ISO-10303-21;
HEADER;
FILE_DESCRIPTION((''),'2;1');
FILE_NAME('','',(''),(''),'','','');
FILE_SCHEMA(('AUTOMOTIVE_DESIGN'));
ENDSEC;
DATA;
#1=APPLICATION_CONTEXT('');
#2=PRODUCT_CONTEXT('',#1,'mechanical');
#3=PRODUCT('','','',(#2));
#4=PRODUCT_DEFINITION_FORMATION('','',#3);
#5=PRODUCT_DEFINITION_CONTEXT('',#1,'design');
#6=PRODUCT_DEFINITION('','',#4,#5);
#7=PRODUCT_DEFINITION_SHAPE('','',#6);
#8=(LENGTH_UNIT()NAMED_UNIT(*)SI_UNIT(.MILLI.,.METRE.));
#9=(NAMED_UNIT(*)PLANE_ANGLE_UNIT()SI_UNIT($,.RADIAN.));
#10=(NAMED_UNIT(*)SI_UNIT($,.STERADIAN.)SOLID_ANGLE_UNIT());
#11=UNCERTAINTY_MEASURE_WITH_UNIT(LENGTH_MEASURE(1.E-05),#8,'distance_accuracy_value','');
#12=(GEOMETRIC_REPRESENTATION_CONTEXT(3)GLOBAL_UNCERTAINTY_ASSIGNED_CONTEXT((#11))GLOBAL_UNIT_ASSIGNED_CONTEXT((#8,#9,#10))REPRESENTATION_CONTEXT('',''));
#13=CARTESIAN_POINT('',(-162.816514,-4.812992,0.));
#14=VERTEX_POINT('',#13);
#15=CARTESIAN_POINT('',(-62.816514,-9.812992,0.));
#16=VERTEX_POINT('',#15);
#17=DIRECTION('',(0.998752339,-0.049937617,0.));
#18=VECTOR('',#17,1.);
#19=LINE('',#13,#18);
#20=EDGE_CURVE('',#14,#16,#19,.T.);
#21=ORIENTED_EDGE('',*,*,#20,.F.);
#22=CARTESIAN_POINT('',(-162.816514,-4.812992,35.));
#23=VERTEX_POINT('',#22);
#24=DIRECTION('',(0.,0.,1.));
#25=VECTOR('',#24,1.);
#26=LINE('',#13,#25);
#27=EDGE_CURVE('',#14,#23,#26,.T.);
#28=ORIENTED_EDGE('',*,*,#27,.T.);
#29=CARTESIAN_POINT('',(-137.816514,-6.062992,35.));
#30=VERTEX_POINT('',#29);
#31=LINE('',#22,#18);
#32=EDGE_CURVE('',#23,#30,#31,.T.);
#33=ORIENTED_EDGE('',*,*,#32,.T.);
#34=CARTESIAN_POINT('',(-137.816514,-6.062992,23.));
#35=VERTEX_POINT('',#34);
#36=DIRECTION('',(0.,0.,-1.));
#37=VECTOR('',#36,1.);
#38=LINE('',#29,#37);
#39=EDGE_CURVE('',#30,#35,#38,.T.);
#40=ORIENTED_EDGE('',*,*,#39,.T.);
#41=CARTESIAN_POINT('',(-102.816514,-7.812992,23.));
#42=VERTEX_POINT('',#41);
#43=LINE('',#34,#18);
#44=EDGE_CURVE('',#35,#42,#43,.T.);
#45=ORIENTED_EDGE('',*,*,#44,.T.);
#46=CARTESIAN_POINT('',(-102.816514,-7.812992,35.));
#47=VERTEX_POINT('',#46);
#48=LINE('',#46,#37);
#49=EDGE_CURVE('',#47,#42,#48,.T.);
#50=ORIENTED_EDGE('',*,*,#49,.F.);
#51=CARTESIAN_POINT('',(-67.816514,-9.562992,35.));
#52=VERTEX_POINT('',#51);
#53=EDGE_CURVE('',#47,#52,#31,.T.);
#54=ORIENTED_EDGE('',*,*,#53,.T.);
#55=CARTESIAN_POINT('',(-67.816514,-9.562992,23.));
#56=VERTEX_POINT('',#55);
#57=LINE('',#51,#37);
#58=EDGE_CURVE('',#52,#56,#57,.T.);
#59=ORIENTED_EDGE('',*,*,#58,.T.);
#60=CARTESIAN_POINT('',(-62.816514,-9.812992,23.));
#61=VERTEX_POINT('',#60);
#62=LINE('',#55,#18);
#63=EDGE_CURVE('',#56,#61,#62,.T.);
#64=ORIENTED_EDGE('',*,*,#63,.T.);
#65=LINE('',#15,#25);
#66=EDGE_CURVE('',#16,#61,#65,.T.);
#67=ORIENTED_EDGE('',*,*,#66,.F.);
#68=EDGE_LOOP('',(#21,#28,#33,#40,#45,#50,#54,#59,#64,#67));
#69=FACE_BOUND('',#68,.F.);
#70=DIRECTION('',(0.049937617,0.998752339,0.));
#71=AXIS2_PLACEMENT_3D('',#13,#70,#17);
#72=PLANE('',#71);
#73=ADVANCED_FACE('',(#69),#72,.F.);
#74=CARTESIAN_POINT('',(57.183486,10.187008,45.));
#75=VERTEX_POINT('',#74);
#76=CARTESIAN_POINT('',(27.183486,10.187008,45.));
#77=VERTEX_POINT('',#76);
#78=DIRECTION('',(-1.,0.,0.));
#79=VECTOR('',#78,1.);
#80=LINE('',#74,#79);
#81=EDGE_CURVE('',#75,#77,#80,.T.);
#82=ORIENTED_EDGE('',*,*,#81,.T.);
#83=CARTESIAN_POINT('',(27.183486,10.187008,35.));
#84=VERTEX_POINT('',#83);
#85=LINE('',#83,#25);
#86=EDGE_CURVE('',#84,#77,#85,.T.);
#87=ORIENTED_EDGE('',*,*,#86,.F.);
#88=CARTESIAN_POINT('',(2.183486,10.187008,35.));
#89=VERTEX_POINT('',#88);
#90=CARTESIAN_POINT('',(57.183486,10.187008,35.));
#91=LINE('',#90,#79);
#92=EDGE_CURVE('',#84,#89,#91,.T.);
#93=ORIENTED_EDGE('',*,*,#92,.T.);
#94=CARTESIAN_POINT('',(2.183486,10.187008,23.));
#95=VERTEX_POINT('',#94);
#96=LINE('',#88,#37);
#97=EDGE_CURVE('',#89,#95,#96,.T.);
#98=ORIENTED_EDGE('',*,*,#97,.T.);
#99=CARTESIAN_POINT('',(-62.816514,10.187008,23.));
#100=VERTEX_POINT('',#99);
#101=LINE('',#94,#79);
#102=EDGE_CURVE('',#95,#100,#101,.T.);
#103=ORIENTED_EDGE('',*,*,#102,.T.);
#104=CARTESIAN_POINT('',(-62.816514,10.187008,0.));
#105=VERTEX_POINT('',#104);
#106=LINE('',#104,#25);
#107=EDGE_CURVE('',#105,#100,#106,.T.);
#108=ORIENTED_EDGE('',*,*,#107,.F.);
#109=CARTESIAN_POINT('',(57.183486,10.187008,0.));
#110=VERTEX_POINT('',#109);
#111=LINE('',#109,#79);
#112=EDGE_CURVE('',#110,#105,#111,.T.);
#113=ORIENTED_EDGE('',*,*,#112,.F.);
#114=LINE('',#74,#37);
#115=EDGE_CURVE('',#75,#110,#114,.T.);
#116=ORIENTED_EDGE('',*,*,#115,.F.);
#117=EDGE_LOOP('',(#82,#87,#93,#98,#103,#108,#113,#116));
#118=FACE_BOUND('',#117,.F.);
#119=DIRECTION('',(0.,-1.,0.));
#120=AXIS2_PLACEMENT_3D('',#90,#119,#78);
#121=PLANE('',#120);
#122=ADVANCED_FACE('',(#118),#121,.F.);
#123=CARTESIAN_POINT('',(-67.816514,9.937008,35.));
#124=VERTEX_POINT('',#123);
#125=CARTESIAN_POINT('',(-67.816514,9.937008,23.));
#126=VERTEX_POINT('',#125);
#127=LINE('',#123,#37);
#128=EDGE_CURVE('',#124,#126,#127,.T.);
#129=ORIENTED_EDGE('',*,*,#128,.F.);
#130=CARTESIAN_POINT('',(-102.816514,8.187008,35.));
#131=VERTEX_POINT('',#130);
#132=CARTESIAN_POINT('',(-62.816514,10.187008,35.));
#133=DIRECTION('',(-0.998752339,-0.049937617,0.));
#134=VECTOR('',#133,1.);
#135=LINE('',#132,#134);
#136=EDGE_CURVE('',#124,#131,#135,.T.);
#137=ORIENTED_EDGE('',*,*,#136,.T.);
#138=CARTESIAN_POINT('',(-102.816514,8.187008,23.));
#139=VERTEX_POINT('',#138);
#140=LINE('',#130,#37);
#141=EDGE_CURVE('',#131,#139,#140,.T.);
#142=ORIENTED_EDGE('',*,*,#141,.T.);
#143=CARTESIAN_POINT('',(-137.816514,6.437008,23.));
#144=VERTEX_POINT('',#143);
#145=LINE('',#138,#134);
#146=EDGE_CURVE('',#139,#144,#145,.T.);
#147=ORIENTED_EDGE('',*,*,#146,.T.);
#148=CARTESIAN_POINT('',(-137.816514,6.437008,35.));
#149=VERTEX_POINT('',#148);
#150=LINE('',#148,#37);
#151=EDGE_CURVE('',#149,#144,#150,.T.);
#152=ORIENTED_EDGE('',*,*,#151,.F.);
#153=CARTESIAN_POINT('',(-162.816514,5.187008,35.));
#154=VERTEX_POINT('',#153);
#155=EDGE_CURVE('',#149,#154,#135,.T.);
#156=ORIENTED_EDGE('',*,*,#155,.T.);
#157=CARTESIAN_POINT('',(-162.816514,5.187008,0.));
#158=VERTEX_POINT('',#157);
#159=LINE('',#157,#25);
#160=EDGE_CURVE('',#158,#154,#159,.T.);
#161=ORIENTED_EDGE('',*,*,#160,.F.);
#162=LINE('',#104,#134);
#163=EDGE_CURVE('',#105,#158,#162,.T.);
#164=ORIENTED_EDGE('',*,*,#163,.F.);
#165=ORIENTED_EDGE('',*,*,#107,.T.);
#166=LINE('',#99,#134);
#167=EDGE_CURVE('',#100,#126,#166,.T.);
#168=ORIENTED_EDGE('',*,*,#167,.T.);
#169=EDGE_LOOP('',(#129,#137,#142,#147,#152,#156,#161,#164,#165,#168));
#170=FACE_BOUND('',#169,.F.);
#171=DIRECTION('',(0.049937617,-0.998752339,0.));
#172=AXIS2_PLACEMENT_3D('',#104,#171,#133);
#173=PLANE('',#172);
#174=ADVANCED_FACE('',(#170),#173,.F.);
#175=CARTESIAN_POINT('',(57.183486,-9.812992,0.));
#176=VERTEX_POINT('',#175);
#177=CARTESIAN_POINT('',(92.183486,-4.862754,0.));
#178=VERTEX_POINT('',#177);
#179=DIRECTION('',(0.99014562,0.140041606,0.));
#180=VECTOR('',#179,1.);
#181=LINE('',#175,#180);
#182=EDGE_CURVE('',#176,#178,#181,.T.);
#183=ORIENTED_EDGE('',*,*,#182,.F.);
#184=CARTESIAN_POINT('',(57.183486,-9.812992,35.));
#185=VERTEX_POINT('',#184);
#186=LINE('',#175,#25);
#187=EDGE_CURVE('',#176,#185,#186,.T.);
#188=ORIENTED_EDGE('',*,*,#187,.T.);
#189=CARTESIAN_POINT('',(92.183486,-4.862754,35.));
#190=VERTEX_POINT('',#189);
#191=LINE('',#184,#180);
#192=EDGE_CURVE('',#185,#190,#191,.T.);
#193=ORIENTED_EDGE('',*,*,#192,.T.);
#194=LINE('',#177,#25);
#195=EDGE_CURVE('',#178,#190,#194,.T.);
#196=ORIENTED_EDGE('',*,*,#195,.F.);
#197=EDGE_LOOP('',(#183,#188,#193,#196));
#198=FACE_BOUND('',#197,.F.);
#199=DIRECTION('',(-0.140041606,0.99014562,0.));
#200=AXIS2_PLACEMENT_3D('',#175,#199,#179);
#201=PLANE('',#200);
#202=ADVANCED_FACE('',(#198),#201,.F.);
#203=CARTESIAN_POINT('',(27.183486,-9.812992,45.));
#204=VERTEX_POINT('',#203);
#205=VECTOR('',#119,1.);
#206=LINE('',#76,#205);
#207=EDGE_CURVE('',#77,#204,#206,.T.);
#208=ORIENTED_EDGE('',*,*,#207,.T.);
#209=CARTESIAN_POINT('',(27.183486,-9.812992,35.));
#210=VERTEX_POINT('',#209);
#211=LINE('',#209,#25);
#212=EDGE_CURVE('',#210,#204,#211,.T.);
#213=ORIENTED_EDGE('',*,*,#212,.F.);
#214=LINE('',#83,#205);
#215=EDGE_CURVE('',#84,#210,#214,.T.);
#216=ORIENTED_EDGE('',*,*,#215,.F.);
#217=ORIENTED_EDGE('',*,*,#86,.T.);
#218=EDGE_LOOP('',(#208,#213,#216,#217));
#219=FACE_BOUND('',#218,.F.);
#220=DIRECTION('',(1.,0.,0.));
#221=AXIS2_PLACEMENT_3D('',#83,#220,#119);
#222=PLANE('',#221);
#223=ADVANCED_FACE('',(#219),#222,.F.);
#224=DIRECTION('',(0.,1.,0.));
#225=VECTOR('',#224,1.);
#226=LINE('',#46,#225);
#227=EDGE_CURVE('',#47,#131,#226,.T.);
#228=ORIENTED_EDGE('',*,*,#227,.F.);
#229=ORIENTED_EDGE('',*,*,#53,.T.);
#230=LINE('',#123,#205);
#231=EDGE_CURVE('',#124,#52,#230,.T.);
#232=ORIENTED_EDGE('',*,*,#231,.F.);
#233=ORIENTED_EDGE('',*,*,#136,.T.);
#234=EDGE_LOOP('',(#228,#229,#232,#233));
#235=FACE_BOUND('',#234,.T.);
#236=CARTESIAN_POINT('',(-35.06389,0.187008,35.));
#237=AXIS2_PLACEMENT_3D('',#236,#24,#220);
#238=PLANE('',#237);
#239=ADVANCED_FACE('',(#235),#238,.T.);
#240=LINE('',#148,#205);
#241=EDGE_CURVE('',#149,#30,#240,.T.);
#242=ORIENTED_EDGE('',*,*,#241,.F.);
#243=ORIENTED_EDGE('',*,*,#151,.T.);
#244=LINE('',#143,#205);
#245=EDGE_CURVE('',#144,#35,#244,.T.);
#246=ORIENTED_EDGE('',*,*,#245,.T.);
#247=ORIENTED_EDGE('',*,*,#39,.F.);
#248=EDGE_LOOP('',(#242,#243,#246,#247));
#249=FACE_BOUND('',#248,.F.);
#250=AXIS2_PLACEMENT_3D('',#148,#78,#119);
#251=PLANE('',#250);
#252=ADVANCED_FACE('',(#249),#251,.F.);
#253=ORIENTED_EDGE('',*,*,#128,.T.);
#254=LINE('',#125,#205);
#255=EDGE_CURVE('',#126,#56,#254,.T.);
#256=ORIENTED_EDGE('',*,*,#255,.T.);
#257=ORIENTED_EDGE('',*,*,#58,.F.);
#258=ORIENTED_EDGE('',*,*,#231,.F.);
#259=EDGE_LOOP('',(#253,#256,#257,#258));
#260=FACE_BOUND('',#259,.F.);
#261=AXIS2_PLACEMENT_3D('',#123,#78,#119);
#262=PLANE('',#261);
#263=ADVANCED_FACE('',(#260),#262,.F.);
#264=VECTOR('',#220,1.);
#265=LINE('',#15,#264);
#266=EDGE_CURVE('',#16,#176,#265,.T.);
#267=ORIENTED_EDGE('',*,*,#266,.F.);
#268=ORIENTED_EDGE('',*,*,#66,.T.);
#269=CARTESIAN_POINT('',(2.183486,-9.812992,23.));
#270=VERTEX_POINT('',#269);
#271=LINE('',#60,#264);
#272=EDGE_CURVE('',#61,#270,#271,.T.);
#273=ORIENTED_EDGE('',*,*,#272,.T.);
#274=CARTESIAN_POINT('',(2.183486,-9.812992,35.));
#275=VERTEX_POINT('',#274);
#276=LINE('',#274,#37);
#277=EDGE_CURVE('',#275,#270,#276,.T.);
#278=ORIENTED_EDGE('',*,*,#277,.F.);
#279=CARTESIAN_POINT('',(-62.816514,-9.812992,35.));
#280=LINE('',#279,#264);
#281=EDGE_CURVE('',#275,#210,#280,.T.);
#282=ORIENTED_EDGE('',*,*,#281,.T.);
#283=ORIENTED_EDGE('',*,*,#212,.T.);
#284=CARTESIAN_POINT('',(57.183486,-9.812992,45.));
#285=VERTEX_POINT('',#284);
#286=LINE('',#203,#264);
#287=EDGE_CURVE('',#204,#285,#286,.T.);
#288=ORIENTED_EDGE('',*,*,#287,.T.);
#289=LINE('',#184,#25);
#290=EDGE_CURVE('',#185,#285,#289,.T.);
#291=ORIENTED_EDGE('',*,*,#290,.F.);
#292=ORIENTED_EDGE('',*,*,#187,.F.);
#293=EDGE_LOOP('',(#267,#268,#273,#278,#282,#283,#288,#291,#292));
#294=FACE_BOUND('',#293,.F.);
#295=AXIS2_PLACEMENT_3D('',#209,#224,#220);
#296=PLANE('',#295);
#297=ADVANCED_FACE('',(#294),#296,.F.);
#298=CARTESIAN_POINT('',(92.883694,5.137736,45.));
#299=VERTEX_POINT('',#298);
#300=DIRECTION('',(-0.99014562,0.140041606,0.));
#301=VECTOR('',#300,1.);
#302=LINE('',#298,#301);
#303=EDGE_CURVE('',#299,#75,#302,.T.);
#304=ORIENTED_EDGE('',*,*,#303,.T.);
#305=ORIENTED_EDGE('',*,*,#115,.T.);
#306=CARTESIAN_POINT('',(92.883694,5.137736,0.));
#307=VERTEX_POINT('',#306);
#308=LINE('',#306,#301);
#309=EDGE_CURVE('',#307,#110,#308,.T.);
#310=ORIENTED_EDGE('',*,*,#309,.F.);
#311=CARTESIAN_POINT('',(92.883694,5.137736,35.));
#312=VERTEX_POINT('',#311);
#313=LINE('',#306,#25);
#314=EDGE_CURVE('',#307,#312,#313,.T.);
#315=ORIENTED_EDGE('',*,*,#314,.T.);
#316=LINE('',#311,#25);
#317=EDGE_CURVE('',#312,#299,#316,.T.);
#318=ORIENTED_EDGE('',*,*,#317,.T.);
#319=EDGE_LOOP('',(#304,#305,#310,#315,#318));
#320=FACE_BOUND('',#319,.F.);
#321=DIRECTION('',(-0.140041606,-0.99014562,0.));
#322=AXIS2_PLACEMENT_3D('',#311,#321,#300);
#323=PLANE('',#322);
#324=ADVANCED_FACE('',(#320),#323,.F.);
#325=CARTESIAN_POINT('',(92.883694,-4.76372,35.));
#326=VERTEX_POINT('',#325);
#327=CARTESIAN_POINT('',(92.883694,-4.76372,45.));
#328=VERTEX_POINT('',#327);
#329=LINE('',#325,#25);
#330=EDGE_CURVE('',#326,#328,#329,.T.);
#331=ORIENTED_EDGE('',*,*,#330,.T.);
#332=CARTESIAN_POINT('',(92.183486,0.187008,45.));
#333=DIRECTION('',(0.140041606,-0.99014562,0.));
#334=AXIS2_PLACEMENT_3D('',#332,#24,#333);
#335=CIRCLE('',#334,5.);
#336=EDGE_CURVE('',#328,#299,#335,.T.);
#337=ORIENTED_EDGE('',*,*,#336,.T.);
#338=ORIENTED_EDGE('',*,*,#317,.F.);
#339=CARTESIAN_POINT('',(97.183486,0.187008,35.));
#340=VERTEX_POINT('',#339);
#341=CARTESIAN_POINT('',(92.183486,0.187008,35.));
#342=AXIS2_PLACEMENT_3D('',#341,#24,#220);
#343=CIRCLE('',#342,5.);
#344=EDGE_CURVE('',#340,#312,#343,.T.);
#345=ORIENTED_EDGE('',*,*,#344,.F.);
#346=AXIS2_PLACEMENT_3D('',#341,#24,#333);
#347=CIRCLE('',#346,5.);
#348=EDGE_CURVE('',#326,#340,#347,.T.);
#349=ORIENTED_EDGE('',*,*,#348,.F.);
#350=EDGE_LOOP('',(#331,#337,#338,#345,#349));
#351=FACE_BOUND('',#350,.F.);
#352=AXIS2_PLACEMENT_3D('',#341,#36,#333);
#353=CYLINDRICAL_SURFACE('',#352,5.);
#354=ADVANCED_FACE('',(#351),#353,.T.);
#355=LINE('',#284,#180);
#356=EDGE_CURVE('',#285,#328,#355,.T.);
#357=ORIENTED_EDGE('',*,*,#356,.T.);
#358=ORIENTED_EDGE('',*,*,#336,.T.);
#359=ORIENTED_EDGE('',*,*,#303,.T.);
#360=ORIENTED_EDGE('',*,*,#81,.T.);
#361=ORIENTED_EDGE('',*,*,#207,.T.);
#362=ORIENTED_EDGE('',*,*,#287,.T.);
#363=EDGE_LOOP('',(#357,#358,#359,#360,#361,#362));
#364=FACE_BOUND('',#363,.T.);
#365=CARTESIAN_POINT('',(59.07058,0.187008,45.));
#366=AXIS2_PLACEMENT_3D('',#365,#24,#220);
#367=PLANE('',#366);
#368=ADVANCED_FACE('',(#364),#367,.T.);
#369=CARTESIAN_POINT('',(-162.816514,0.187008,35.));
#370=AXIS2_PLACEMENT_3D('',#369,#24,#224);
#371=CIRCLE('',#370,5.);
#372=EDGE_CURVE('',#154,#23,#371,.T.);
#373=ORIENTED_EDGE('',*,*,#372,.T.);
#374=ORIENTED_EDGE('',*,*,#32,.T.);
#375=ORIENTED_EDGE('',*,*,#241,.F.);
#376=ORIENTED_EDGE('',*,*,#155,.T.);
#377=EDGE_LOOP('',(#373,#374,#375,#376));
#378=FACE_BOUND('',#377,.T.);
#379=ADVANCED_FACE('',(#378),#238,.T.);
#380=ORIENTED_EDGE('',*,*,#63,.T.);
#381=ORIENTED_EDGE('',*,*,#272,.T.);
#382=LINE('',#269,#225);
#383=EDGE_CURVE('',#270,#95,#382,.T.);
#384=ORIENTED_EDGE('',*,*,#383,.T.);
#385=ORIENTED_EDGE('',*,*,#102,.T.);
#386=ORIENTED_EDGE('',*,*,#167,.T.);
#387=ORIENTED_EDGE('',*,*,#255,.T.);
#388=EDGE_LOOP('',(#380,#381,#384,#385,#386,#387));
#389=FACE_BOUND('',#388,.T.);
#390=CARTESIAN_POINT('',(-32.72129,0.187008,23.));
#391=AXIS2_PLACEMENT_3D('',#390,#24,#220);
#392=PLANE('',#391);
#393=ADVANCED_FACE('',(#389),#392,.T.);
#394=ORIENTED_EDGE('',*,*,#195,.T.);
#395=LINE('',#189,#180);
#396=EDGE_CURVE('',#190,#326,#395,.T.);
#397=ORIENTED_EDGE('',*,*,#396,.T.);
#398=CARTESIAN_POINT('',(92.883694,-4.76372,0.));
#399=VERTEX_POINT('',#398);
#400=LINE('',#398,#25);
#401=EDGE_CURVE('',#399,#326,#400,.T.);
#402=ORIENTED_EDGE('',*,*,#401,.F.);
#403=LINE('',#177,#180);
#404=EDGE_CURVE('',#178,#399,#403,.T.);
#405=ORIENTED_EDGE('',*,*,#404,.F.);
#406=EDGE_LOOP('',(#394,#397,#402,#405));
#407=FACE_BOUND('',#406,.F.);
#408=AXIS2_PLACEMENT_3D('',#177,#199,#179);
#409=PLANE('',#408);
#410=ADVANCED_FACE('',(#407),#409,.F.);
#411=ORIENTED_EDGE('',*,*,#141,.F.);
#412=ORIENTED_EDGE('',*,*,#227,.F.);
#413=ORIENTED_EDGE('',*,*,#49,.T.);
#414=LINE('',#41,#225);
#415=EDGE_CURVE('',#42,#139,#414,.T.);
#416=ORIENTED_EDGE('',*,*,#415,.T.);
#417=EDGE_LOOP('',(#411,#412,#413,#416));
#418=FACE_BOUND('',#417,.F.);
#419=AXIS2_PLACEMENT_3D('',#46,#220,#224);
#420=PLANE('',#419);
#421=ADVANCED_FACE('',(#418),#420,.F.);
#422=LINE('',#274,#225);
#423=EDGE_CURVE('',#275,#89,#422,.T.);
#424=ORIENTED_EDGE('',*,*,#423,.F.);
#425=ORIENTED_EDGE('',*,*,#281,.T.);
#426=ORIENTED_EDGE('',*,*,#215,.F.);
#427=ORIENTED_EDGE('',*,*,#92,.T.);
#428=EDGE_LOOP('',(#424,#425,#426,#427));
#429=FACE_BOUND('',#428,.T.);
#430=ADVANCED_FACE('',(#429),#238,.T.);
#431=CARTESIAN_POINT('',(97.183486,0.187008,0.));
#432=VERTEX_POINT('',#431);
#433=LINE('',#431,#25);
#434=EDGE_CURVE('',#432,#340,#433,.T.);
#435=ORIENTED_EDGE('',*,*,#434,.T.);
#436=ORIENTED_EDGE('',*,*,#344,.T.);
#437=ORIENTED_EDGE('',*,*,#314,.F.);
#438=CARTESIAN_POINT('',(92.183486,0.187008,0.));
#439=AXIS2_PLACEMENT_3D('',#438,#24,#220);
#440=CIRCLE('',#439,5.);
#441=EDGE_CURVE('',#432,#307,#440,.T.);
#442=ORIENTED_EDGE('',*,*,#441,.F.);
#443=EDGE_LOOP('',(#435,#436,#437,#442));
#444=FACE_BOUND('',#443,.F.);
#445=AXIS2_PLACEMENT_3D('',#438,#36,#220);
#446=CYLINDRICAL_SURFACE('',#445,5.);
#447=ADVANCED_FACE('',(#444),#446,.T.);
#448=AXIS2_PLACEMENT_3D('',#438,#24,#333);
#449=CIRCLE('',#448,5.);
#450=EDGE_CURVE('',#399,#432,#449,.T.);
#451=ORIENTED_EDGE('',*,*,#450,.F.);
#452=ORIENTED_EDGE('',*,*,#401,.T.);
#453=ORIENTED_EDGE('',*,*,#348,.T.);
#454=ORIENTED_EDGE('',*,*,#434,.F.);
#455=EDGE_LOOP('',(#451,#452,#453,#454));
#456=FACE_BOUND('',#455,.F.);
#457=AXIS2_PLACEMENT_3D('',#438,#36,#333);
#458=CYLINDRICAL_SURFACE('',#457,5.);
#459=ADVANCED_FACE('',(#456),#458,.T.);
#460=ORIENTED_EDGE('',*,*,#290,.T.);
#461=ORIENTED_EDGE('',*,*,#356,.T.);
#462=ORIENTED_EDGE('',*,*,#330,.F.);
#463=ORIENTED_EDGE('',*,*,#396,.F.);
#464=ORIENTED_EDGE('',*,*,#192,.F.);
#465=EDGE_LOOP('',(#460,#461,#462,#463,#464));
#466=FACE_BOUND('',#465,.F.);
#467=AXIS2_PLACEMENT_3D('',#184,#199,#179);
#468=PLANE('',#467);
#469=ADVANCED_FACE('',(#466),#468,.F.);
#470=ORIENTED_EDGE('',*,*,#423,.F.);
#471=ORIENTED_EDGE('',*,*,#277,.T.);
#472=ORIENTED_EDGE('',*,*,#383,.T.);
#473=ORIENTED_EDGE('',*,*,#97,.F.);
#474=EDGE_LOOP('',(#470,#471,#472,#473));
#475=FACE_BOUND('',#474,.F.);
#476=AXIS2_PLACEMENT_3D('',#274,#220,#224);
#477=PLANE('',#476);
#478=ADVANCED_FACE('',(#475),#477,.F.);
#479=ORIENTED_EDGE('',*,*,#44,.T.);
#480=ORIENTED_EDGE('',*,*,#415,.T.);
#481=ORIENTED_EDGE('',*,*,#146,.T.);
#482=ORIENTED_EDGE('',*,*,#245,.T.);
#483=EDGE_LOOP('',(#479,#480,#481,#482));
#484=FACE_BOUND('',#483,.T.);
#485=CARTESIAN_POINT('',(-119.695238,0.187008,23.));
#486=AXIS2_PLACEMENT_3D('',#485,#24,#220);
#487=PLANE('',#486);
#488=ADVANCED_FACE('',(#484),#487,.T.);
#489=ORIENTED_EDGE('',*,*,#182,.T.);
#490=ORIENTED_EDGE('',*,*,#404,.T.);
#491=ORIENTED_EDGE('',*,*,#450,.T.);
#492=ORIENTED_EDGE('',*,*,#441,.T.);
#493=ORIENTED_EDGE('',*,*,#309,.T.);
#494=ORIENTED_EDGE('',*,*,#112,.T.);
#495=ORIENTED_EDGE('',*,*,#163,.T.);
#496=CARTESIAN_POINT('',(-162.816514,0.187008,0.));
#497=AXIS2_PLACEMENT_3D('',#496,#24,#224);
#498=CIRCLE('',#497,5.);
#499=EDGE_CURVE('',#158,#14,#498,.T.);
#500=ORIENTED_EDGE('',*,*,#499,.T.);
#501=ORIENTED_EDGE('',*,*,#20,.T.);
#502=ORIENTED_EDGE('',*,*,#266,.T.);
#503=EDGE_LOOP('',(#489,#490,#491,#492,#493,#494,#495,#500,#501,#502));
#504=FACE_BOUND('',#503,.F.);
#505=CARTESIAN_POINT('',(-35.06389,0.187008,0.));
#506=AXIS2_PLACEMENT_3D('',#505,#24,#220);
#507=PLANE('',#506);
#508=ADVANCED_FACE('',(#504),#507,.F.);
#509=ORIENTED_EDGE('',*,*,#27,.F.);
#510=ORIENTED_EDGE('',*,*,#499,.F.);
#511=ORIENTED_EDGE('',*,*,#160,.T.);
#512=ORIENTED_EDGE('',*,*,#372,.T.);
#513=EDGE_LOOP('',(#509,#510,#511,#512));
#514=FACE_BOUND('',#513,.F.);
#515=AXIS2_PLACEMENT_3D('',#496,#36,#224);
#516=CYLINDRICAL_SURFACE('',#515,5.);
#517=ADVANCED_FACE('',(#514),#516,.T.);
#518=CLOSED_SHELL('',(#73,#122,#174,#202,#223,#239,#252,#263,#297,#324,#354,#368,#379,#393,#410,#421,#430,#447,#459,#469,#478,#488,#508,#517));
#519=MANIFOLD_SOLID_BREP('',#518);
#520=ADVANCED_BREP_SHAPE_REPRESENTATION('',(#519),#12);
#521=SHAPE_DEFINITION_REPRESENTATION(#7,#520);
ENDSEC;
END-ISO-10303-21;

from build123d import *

# Parameters (mm, degrees)
F1_DEPTH = 35
F3_DEPTH = 10
F5_DEPTH = 12
F6_DEPTH = 12


with BuildPart() as f1:
    # F0 (on Top) → F1 (new body)
    with BuildSketch(Plane.XY):
        with BuildLine():
            Line((-62.8165142711, -9.8129920568), (57.1834857289, -9.8129920568))
            Line((57.1834857289, -9.8129920568), (92.1834857289, -4.8627543336))
            Line((92.1834857289, -4.8627543336), (92.8836937573, -4.7637201565))
            ThreePointArc((92.8836937573, -4.7637201565), (95.958471831, -3.0916320079), (97.1834857289, 0.1870079432))
            ThreePointArc((97.1834857289, 0.1870079432), (95.958471831, 3.4656478942), (92.8836937573, 5.1377360428))
            Line((92.8836937573, 5.1377360428), (57.1834857289, 10.1870079432))
            Line((57.1834857289, 10.1870079432), (-62.8165142711, 10.1870079432))
            Line((-62.8165142711, 10.1870079432), (-162.8165142711, 5.1870079432))
            ThreePointArc((-162.8165142711, 5.1870079432), (-167.8165142711, 0.1870079432), (-162.8165142711, -4.8129920568))
            Line((-162.8165142711, -4.8129920568), (-62.8165142711, -9.8129920568))
        make_face()
    extrude(amount=F1_DEPTH)

    # F2 (on face) → F3 (join)
    with BuildSketch(Plane.XY.offset(35)):
        with BuildLine():
            Line((57.1834857289, 10.1870079432), (27.1834857289, 10.1870079432))
            Line((27.1834857289, 10.1870079432), (27.1834857289, -9.8129920568))
            Line((27.1834857289, -9.8129920568), (57.1834857289, -9.8129920568))
            Line((57.1834857289, -9.8129920568), (92.8836937573, -4.7637201565))
            ThreePointArc((92.8836937573, -4.7637201565), (97.1834857289, 0.1870079432), (92.8836937573, 5.1377360428))
            Line((92.8836937573, 5.1377360428), (57.1834857289, 10.1870079432))
        make_face()
    extrude(amount=F3_DEPTH)

    # F4 (on face) → F5 (cut)
    with BuildSketch(Plane.XY.offset(35)):
        Polygon((2.1834857289, -9.8129920568), (2.1834857289, 10.1870079432), (-62.8165142711, 10.1870079432), (-67.8165142711, 9.9370079432), (-67.8165142711, -9.5629920568), (-62.8165142711, -9.8129920568), align=None)
    extrude(amount=-F5_DEPTH, mode=Mode.SUBTRACT)

    # F4 (on face) → F6 (cut)
    with BuildSketch(Plane.XY.offset(35)):
        Polygon((-102.8165142711, -7.8129920568), (-102.8165142711, 8.1870079432), (-137.8165142711, 6.4370079432), (-137.8165142711, -6.0629920568), align=None)
    extrude(amount=-F6_DEPTH, mode=Mode.SUBTRACT)


solid = f1.part
